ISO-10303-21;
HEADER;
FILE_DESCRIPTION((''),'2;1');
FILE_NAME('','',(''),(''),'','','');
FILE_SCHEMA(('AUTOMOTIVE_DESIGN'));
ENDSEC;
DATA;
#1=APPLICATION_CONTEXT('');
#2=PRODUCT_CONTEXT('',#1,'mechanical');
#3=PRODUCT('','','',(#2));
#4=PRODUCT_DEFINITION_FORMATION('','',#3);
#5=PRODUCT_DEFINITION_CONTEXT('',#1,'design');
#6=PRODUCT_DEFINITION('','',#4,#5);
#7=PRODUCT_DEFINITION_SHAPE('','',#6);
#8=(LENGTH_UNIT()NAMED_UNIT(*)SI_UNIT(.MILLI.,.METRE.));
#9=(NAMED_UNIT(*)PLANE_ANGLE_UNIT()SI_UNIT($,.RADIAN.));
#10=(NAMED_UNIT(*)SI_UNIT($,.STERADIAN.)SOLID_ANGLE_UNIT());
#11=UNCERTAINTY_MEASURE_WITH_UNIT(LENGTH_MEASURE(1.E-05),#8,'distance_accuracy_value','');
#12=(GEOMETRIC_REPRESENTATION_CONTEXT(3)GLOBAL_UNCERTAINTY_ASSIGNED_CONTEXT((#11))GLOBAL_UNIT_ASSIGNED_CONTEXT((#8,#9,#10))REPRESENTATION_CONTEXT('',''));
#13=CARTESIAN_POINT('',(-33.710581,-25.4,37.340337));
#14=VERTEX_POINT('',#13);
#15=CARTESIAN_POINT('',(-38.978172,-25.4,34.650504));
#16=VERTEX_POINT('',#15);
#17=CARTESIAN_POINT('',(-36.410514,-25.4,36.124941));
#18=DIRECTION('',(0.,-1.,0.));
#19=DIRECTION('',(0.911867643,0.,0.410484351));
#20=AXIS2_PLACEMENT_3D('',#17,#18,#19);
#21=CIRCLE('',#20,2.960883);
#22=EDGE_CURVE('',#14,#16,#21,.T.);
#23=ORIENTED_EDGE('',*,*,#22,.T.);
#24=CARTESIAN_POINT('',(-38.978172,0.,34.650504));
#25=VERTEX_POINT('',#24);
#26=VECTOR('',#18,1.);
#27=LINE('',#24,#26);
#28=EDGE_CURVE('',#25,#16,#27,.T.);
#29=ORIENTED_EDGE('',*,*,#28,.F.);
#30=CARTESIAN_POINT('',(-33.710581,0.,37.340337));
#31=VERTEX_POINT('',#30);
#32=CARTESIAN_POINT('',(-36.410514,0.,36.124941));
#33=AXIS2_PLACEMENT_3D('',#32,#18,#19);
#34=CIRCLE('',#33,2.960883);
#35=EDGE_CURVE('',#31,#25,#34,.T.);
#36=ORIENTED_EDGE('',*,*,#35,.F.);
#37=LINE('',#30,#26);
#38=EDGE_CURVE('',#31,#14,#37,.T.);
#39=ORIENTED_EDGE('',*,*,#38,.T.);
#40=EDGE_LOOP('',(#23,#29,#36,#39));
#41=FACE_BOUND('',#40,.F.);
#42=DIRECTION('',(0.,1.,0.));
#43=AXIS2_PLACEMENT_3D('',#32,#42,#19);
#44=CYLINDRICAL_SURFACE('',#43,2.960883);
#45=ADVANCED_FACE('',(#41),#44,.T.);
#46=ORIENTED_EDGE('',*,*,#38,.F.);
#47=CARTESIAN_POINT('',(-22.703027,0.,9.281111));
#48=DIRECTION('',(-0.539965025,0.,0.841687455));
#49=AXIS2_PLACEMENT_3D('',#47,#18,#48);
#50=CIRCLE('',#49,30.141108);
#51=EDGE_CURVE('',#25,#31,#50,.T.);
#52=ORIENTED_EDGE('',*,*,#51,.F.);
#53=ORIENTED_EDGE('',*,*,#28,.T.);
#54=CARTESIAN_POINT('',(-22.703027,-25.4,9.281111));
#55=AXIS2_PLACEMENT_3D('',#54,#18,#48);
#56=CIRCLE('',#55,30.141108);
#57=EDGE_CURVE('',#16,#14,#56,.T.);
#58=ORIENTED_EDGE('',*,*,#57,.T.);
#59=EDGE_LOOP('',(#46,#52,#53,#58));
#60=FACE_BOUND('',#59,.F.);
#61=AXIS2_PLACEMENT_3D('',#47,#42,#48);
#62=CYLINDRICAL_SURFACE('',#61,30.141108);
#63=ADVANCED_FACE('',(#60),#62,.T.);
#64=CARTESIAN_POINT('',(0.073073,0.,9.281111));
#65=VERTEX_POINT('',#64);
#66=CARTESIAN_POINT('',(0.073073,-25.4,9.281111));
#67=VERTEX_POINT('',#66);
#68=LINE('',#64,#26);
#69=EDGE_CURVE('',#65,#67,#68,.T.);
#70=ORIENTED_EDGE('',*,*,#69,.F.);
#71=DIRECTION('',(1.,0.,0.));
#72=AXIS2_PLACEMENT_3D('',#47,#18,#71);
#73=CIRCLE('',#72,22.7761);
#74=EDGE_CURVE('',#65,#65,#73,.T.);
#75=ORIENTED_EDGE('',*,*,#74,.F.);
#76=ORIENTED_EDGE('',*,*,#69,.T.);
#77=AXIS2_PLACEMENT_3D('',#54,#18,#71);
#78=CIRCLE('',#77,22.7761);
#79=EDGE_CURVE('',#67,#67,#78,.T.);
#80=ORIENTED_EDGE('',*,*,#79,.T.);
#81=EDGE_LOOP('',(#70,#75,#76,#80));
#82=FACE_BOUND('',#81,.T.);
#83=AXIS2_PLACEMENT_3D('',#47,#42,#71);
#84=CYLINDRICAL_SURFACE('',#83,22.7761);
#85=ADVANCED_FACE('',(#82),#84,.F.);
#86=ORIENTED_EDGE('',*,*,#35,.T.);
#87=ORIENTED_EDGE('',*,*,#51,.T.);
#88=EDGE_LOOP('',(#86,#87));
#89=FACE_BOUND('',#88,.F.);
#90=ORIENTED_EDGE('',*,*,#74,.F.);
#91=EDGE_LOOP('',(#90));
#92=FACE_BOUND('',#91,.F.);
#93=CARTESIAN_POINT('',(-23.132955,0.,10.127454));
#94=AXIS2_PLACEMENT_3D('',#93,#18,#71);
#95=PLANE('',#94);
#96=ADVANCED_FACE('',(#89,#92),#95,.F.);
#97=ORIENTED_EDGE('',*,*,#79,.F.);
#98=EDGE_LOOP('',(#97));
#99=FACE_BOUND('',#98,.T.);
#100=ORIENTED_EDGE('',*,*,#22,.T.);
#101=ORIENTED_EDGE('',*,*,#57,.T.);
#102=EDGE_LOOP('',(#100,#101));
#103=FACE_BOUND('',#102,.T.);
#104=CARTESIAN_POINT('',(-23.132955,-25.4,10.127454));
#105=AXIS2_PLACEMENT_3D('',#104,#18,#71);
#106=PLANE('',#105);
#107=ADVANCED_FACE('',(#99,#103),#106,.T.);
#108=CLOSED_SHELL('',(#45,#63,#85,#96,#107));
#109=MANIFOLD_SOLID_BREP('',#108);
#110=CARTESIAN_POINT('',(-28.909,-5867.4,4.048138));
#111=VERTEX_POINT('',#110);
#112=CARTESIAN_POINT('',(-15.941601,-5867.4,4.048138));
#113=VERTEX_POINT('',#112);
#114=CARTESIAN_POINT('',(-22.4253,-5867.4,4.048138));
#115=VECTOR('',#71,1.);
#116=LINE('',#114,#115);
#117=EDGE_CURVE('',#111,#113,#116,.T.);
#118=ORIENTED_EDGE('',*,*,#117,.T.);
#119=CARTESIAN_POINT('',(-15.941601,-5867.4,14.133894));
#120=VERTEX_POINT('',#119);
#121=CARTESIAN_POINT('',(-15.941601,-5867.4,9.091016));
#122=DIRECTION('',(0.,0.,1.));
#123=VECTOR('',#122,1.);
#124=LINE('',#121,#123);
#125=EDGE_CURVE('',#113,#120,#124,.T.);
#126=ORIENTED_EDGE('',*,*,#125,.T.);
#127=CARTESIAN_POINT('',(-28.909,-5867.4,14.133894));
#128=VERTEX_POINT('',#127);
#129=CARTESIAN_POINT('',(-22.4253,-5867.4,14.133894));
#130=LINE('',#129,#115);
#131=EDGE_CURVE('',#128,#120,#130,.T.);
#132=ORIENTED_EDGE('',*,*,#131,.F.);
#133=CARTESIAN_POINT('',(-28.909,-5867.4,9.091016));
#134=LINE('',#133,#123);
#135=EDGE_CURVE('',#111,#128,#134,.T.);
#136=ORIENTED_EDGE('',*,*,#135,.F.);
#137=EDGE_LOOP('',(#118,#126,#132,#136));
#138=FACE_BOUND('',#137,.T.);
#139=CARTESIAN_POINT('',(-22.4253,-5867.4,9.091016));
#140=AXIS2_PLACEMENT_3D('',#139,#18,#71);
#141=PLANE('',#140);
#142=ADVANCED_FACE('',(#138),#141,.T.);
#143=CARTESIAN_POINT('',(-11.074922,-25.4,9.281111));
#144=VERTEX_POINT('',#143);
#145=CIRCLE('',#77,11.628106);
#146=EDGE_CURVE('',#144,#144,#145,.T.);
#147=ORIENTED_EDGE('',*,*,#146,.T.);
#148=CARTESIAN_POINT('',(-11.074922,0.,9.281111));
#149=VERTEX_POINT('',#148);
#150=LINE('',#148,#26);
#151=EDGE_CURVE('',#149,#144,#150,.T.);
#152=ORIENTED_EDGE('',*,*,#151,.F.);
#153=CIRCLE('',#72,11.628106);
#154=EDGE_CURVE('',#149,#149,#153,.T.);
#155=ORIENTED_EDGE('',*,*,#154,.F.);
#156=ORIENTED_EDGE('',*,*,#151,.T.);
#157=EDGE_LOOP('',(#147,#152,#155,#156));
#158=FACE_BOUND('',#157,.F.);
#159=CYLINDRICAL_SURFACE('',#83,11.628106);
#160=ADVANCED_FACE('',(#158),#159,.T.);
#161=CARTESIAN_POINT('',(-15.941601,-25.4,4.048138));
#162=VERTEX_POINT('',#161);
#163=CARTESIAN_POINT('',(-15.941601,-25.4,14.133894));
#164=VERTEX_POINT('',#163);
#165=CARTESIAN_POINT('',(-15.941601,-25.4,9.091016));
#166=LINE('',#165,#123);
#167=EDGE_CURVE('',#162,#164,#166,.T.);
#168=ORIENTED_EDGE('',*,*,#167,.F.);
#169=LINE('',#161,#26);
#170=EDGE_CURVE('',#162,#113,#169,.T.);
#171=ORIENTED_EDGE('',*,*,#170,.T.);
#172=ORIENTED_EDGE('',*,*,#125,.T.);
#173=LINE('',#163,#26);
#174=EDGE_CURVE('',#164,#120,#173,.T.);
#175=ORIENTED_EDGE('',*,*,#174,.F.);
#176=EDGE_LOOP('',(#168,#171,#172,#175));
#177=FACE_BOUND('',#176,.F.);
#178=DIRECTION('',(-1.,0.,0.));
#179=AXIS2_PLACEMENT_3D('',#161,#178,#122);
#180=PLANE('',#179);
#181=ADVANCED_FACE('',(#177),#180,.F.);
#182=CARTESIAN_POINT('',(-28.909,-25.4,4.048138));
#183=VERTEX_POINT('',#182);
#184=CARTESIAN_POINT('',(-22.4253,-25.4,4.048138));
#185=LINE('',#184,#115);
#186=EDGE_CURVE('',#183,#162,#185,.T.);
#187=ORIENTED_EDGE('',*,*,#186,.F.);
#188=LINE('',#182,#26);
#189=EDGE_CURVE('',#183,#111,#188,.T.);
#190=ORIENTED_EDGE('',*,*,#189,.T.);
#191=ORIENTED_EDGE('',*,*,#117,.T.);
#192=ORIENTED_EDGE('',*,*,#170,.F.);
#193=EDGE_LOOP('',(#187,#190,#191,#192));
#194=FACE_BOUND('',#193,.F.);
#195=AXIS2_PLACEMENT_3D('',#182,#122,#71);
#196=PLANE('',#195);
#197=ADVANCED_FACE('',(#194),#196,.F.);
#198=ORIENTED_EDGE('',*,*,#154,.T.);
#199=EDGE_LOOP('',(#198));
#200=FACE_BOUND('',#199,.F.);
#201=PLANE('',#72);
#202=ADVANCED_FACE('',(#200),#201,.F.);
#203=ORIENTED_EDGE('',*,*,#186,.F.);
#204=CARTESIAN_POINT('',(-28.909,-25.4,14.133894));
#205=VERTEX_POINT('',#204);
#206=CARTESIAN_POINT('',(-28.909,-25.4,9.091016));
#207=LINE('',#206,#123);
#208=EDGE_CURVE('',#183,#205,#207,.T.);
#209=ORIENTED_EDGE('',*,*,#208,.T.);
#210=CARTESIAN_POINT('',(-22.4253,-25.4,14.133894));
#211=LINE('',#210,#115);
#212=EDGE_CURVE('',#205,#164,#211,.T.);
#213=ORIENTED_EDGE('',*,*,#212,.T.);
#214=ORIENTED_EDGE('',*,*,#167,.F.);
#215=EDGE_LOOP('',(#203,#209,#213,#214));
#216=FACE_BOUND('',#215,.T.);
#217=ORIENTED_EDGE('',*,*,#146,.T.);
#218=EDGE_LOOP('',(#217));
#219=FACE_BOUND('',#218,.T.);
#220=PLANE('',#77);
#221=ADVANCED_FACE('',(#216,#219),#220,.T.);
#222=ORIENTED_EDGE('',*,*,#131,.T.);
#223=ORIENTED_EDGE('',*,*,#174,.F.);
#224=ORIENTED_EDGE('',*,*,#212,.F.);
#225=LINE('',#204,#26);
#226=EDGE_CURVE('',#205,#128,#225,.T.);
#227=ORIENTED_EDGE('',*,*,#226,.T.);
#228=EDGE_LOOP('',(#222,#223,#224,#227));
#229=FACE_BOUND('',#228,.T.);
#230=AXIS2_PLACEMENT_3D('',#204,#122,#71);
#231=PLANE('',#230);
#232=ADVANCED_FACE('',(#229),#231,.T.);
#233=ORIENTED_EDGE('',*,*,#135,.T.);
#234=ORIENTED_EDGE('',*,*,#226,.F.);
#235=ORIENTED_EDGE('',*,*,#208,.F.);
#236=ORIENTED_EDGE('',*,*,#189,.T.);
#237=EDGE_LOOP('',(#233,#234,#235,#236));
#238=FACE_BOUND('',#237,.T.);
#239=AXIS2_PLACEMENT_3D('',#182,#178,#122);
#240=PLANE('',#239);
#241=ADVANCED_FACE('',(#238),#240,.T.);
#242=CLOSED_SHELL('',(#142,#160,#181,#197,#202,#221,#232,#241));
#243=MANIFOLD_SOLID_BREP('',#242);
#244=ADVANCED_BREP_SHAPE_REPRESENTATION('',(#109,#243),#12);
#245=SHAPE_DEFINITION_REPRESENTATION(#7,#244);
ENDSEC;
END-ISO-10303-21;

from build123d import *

# Parameters (mm, degrees)
F0_R     = 22.7761001629
F1_DEPTH = 25.4
F0_R_2   = 11.6281056137
F2_W     = 12.9673983902
F2_H     = 10.0857559592
F3_DEPTH = 5842


with BuildPart() as f1:
    # F0 (on Front) → F1 (new body)
    with BuildSketch(Plane.XZ):
        with BuildLine():
            ThreePointArc((-38.9781716419, 34.6505036411), (-37.1587445813, -17.1673038716), (7.4380809076, 9.2811109498))
            ThreePointArc((7.4380809076, 9.2811109498), (-5.7220592873, 34.1835833315), (-33.7105806058, 37.3403372139))
            ThreePointArc((-33.7105806058, 37.3403372139), (-33.5156033639, 36.7464879743), (-33.4496309823, 36.1249409616))
            ThreePointArc((-33.4496309823, 36.1249409616), (-35.6475280227, 33.2640526713), (-38.9781716419, 34.6505036411))
        make_face()
        with Locations((-22.7030273527, 9.2811109498)):
            Circle(F0_R, mode=Mode.SUBTRACT)
        with BuildLine():
            ThreePointArc((-33.4496309823, 36.1249409616), (-33.5156033639, 36.7464879743), (-33.7105806058, 37.3403372139))
            ThreePointArc((-33.7105806058, 37.3403372139), (-36.4105142653, 36.1249409616), (-38.9781716419, 34.6505036411))
            ThreePointArc((-38.9781716419, 34.6505036411), (-35.6475280227, 33.2640526713), (-33.4496309823, 36.1249409616))
        make_face()
        with BuildLine():
            ThreePointArc((-38.9781716419, 34.6505036411), (-36.4105142653, 36.1249409616), (-33.7105806058, 37.3403372139))
            ThreePointArc((-33.7105806058, 37.3403372139), (-37.757056287, 38.7619192322), (-38.9781716419, 34.6505036411))
        make_face()
    extrude(amount=F1_DEPTH)


with BuildPart() as f1b:
    # F0 (on Front) → F1, piece 2 (new body)
    with BuildSketch(Plane.XZ):
        with Locations((-22.7030273527, 9.2811109498)):
            Circle(F0_R_2)
    extrude(amount=F1_DEPTH)

    # F2 (on face) → F3 (join)
    with BuildSketch(Plane.XZ.offset(25.4)):
        with Locations((-22.4253004417, 9.0910159051)):
            Rectangle(F2_W, F2_H)
    extrude(amount=F3_DEPTH)


solid = Compound([f1.part, f1b.part])
